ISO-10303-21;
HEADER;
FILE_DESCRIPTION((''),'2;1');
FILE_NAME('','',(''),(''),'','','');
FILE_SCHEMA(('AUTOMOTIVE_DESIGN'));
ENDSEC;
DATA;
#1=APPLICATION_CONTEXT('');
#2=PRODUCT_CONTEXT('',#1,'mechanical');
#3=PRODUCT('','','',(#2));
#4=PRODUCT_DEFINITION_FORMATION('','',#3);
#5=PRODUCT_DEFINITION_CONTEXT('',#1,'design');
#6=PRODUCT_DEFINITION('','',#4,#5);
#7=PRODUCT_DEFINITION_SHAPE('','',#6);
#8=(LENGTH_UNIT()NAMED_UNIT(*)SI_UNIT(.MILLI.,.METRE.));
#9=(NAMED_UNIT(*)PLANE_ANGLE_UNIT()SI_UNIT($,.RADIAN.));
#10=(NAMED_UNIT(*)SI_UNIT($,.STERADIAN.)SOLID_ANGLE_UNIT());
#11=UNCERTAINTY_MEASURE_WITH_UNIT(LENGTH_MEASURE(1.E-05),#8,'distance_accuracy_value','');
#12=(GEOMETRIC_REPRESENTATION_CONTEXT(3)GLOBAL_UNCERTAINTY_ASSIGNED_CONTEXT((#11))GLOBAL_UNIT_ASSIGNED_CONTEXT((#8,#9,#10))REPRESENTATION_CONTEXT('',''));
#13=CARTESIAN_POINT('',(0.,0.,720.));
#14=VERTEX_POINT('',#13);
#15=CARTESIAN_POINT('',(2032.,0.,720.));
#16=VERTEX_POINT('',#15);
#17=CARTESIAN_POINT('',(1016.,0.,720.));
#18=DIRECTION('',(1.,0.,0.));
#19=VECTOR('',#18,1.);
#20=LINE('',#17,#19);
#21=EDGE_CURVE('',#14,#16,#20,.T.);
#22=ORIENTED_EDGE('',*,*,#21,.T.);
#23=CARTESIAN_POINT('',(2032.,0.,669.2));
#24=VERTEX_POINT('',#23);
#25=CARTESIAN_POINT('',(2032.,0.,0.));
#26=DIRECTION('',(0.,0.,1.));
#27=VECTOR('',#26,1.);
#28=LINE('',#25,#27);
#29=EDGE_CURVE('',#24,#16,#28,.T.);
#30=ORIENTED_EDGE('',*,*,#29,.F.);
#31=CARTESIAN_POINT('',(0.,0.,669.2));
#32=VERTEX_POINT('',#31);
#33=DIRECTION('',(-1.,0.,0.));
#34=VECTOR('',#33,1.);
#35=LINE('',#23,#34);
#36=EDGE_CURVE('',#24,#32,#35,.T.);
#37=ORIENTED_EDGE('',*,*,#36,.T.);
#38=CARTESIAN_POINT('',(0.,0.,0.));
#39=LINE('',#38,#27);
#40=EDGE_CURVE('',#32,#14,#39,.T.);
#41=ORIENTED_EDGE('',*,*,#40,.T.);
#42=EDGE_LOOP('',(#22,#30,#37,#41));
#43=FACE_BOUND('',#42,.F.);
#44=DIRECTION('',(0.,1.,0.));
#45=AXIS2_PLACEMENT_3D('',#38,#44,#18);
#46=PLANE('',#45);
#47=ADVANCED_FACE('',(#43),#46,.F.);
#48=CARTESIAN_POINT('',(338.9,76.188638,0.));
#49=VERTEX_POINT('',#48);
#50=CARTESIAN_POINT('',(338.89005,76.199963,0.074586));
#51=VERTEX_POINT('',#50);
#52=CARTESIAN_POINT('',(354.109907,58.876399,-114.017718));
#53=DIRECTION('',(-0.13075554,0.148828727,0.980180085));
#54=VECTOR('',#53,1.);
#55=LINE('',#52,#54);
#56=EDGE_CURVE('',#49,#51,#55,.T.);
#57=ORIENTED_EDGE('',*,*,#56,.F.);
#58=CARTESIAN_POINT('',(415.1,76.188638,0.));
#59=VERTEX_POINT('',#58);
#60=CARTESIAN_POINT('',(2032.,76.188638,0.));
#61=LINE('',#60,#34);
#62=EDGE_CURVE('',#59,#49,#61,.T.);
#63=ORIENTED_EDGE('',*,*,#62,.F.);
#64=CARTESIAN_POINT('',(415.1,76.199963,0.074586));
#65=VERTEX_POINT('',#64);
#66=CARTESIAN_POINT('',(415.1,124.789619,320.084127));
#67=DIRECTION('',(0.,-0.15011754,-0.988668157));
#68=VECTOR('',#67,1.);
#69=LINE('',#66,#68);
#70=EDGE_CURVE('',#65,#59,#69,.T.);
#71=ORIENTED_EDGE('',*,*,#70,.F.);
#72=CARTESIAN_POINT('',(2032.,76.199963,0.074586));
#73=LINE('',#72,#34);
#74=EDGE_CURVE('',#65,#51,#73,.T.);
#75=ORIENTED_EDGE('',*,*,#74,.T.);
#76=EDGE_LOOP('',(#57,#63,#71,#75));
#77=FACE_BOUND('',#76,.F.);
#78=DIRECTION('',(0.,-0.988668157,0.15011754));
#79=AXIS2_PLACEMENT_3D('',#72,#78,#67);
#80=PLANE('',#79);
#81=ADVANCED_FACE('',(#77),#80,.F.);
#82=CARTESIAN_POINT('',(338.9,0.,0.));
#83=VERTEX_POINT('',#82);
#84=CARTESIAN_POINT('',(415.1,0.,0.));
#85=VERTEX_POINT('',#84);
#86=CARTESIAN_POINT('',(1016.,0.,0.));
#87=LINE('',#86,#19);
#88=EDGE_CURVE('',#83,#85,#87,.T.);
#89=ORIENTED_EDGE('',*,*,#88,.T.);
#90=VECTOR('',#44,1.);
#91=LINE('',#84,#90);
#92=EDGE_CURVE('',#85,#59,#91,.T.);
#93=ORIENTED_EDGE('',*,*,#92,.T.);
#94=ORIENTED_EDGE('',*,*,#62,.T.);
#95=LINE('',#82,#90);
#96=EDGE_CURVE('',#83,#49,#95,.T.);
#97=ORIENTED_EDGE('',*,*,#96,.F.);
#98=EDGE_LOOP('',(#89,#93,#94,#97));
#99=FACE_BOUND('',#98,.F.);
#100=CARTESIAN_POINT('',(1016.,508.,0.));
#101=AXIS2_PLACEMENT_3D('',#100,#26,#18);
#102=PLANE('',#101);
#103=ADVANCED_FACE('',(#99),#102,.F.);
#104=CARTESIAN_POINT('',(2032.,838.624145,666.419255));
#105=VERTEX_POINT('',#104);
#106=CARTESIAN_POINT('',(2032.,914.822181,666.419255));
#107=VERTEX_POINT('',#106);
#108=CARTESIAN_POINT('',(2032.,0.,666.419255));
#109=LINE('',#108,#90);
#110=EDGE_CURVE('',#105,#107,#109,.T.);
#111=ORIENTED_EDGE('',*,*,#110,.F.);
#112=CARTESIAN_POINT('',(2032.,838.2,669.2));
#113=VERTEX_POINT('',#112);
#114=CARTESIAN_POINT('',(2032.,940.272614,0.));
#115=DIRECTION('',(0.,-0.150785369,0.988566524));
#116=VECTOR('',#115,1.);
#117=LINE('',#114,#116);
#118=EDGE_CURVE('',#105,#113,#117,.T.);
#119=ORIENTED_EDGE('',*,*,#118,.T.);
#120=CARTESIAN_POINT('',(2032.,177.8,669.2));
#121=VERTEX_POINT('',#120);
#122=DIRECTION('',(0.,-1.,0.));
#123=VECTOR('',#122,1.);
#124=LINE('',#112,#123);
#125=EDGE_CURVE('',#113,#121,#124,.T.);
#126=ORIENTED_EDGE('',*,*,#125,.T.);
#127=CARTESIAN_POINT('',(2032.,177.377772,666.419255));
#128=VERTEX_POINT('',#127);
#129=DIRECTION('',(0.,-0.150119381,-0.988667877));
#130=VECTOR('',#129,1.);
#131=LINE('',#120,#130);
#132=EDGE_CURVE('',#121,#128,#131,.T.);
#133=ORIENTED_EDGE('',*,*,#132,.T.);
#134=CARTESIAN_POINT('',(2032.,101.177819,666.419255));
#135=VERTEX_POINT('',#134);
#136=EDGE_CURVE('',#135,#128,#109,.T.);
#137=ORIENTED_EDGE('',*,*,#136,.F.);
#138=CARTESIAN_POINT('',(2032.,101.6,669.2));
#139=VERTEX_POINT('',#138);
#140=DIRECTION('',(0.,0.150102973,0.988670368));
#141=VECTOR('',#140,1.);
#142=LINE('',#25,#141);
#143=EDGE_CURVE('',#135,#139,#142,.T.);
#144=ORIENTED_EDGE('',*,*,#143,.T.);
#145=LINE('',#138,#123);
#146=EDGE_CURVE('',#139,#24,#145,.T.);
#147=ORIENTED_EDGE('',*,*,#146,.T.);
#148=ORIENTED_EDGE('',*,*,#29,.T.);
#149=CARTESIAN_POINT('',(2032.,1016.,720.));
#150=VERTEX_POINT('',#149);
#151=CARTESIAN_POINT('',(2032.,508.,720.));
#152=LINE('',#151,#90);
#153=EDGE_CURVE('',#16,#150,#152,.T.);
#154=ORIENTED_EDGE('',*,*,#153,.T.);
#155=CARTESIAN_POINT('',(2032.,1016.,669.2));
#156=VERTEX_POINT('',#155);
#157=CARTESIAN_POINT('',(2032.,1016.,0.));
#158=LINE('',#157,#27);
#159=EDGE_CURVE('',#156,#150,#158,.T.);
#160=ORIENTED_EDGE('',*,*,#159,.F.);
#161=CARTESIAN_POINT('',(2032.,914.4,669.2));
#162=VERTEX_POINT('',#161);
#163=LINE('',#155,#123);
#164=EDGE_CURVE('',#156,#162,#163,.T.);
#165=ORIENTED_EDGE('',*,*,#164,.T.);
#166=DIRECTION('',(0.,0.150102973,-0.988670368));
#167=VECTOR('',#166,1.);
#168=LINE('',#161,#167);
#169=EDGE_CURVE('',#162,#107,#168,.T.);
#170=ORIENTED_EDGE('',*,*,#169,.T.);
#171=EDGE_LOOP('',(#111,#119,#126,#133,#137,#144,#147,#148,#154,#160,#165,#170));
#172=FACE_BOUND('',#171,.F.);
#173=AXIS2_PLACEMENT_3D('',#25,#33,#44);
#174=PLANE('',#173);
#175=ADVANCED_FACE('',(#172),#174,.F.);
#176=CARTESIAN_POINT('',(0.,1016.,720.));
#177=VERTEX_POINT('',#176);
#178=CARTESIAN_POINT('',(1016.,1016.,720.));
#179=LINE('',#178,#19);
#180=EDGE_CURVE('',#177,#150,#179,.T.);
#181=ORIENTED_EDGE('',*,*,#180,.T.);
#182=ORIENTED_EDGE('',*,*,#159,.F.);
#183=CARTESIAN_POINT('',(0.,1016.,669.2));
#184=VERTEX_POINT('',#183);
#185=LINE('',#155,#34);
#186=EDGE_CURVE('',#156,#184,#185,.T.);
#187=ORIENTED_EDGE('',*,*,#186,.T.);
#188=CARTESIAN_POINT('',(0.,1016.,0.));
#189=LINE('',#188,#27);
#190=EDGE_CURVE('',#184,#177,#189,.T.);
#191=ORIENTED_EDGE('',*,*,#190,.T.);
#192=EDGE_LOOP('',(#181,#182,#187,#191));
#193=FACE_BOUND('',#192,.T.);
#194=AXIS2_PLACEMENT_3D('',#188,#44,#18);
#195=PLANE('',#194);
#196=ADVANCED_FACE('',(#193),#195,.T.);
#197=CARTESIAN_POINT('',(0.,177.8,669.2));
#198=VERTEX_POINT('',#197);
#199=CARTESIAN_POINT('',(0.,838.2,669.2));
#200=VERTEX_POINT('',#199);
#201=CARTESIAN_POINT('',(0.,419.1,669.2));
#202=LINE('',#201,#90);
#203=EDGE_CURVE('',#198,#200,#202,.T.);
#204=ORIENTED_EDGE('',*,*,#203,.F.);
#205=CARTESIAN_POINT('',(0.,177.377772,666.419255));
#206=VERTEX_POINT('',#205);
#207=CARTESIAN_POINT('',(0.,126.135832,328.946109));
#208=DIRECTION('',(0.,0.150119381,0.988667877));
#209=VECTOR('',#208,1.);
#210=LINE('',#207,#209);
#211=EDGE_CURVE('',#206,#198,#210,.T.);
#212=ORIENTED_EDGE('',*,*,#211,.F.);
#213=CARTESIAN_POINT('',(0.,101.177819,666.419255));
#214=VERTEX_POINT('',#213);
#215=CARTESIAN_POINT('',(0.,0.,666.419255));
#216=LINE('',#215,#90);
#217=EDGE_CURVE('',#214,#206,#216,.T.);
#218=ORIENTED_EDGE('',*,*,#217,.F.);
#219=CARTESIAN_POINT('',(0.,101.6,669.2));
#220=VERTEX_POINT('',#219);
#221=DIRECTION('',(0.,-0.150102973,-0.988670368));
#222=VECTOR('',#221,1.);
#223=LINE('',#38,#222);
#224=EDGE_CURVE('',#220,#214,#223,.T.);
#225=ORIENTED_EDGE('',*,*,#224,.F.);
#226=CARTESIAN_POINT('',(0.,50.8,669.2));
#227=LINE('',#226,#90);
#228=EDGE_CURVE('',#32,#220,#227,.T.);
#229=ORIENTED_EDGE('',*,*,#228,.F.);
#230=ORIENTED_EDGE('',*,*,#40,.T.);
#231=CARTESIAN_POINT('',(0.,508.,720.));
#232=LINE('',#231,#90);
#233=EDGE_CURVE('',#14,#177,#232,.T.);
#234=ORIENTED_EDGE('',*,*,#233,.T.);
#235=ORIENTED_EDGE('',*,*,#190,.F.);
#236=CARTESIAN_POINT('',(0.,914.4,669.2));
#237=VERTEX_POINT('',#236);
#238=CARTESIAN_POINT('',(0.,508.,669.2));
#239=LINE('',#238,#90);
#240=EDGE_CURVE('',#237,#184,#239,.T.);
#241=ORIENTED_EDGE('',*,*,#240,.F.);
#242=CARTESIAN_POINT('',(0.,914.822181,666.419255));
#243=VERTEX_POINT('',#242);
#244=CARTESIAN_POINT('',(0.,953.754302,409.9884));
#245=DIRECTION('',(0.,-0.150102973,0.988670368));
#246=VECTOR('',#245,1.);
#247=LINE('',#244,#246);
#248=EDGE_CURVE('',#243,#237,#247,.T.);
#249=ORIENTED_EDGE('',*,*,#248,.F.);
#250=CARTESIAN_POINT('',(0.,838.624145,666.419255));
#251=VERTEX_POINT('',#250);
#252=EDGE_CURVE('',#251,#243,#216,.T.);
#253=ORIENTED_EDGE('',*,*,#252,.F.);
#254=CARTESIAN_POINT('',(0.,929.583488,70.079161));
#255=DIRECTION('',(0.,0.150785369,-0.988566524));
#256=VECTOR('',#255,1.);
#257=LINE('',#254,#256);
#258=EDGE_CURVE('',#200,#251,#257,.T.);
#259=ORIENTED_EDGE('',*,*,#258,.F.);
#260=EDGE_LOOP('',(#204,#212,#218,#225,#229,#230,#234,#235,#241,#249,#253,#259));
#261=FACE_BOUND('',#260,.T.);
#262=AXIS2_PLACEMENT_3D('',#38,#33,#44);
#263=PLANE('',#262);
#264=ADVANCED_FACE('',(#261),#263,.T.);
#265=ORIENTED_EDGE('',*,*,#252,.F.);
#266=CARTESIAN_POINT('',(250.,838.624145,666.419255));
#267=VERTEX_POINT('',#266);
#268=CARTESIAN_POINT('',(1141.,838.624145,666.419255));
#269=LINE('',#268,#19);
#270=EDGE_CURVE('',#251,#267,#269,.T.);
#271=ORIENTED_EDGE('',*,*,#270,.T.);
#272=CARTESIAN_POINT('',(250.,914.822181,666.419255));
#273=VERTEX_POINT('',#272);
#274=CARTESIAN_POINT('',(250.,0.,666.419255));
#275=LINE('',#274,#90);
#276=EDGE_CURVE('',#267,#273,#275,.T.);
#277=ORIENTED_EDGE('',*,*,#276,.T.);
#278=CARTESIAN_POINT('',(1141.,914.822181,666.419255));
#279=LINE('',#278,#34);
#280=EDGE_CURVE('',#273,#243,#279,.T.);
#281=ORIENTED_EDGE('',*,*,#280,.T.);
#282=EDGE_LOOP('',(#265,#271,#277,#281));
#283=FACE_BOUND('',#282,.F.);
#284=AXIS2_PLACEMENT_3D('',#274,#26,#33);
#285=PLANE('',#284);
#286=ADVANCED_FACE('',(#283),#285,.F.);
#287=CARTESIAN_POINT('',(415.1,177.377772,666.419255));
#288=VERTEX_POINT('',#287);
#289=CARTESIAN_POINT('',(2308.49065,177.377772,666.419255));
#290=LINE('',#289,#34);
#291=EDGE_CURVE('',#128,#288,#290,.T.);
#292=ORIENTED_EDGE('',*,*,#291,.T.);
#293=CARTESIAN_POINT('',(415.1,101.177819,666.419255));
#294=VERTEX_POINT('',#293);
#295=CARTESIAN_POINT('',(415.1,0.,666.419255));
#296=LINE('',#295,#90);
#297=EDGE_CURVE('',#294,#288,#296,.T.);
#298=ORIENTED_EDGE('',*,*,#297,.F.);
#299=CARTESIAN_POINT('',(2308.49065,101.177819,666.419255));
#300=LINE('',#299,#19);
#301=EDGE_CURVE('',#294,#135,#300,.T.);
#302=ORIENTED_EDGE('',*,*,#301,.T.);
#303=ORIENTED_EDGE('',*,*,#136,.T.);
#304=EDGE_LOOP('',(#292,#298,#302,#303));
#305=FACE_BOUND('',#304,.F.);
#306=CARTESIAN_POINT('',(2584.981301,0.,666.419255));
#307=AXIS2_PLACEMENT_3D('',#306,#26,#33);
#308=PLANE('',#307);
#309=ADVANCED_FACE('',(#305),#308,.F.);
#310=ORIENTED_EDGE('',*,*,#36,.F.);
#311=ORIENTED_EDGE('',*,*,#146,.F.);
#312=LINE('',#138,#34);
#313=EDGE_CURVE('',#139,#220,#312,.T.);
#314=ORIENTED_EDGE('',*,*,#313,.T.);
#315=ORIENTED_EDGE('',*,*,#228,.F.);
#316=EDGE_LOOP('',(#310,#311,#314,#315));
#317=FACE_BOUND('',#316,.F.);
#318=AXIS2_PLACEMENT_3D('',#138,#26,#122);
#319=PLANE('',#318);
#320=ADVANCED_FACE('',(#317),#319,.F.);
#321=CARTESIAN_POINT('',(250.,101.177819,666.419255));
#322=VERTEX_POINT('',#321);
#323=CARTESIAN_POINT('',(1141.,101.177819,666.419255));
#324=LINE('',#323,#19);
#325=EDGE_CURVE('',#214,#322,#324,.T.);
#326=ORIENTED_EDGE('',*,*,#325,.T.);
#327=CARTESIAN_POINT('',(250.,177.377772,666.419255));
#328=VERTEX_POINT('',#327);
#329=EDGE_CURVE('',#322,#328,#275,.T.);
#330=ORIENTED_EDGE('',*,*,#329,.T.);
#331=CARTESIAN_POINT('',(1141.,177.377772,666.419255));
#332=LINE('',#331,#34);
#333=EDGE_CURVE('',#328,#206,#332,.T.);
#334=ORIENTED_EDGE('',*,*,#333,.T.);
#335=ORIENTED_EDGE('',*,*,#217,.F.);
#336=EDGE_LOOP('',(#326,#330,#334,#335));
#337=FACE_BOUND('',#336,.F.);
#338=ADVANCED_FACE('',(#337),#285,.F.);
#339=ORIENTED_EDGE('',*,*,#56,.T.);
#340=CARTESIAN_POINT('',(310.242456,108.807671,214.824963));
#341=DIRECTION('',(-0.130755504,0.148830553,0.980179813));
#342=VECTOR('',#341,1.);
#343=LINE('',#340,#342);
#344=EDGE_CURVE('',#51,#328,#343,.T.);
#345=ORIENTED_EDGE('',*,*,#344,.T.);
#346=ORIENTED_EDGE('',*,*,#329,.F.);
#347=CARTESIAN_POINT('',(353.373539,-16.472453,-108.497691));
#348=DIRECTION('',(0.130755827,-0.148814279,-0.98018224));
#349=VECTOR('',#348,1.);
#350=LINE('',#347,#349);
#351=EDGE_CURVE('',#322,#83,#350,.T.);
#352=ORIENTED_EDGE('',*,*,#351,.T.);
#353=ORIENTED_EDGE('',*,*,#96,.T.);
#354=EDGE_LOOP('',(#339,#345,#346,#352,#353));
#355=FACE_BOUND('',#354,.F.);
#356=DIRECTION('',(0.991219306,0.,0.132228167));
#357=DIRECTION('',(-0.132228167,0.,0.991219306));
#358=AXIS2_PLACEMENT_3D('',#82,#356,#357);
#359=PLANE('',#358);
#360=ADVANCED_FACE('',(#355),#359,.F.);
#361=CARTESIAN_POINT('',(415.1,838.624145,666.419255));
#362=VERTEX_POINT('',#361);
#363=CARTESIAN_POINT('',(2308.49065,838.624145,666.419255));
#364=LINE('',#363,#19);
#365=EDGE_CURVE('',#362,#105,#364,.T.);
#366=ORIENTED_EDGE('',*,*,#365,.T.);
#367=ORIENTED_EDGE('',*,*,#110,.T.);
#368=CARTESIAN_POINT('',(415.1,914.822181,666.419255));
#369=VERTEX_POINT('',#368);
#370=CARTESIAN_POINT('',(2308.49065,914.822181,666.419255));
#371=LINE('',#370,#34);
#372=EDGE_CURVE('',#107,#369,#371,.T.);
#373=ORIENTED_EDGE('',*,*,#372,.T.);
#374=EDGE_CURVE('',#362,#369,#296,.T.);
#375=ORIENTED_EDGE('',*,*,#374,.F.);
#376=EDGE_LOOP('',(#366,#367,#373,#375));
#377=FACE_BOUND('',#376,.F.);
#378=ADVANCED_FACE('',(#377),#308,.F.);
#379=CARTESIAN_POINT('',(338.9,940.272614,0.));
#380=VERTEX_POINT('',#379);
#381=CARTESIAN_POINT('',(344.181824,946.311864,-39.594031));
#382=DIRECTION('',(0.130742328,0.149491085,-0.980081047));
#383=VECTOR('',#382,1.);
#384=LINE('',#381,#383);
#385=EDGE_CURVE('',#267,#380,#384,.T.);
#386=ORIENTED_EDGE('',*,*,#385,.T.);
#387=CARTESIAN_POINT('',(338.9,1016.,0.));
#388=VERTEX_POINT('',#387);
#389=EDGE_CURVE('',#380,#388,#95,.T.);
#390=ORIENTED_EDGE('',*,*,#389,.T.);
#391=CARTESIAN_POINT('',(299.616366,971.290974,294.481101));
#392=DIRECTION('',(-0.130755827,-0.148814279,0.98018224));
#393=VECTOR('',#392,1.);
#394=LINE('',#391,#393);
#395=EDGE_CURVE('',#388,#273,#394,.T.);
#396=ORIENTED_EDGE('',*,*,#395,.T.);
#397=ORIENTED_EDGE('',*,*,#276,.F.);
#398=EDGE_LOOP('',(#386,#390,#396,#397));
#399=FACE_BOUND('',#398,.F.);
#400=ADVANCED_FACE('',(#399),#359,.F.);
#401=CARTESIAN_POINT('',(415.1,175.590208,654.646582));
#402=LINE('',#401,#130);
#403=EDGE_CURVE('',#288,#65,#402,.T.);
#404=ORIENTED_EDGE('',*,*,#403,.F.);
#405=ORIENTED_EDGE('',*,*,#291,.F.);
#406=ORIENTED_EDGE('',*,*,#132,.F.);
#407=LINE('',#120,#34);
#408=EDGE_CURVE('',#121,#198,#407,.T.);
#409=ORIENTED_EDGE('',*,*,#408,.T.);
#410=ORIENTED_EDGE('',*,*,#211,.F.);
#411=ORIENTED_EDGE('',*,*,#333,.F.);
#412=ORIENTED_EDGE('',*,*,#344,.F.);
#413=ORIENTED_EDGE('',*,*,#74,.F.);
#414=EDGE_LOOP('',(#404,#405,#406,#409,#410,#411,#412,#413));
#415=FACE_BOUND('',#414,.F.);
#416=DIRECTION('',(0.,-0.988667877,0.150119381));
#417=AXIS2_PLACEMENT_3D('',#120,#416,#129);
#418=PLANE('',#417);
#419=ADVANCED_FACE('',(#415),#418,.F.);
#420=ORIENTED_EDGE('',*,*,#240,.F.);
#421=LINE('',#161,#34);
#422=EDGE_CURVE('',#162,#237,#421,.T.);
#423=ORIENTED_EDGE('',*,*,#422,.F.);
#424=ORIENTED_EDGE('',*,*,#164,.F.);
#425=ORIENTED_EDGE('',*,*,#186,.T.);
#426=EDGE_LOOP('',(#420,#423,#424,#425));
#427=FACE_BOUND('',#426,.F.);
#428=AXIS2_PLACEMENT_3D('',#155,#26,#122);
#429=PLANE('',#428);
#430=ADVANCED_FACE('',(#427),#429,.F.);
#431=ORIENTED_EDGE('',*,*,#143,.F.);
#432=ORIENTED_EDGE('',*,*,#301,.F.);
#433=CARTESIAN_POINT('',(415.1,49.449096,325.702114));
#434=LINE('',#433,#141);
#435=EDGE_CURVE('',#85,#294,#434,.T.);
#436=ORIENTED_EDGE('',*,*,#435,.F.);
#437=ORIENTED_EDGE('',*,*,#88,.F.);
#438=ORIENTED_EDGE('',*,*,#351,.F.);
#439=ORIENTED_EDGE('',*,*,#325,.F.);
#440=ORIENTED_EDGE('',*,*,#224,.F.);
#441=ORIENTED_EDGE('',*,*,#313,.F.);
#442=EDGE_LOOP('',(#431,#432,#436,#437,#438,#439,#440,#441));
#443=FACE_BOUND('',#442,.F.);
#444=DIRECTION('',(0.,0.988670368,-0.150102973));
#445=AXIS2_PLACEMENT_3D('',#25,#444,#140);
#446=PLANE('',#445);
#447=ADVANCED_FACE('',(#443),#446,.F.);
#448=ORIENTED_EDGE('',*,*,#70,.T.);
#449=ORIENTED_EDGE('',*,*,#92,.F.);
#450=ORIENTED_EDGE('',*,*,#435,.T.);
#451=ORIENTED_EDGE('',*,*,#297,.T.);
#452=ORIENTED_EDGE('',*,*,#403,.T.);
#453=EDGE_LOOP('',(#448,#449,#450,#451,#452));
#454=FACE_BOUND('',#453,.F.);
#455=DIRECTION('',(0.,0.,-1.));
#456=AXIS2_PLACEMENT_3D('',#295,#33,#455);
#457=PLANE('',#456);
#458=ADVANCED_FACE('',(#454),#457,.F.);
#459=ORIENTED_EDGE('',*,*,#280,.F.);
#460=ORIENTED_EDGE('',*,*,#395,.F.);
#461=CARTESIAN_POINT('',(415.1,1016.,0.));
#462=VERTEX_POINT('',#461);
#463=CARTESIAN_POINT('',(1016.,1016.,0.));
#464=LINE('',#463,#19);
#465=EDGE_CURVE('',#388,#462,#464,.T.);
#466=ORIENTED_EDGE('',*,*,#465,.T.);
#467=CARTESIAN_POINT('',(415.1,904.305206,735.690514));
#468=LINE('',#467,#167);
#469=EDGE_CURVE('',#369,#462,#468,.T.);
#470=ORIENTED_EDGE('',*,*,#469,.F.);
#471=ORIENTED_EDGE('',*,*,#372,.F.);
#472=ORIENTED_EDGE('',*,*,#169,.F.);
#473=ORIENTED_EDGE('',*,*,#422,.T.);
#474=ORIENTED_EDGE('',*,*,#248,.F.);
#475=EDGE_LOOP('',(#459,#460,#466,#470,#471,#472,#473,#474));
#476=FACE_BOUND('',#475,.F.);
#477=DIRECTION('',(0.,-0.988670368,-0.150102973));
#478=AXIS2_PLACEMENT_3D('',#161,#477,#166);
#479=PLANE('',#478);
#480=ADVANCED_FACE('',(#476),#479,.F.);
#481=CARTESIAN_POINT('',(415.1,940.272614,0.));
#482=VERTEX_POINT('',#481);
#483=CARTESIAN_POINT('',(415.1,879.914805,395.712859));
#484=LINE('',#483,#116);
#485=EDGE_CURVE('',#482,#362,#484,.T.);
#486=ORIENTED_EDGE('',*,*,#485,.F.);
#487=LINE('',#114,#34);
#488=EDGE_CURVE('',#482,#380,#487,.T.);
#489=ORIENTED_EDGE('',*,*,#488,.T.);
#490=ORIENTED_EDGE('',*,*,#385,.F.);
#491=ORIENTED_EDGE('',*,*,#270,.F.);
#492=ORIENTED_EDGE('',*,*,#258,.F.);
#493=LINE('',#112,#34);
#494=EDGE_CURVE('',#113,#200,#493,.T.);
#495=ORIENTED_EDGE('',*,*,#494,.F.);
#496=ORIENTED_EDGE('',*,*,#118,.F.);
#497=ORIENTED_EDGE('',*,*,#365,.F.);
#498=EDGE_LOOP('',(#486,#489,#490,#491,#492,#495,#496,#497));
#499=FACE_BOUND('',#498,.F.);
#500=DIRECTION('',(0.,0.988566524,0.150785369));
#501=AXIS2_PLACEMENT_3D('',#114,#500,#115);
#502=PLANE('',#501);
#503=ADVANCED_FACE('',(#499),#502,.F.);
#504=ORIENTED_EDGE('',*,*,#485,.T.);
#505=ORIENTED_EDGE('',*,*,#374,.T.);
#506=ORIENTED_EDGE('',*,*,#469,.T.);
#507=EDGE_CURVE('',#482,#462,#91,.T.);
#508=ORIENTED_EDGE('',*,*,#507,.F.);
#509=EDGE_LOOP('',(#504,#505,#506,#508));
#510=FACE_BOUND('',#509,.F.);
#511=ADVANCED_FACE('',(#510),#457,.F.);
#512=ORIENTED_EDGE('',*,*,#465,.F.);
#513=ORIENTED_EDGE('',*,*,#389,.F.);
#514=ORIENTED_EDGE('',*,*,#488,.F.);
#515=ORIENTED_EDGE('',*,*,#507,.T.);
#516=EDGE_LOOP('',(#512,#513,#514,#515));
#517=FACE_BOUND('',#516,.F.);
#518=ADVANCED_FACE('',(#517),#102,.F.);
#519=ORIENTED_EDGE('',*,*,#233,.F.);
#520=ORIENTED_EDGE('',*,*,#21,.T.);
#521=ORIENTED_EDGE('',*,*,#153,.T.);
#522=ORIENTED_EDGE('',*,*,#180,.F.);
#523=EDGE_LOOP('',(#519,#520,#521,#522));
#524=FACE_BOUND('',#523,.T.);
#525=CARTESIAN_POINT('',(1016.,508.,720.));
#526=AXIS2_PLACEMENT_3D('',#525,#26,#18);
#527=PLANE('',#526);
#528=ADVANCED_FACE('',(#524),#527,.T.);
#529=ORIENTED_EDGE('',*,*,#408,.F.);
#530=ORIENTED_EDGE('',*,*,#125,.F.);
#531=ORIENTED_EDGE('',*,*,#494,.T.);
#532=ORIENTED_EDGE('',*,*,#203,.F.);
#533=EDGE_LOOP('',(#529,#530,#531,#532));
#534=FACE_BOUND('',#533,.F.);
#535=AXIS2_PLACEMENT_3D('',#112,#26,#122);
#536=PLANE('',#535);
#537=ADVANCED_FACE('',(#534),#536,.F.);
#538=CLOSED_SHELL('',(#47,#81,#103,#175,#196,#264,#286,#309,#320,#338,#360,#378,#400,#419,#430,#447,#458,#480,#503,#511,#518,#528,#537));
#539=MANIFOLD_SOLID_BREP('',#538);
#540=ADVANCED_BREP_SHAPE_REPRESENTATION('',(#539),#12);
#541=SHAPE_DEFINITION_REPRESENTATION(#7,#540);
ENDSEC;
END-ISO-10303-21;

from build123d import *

# Parameters (mm, degrees)
F0_W     = 2032
F0_H     = 1016
F1_DEPTH = 720
F3_DEPTH = 3810
F5_DEPTH = 1143


with BuildPart() as f1:
    # F0 (on Top) → F1 (new body)
    with BuildSketch(Plane.XY):
        with Locations((1016, 508)):
            Rectangle(F0_W, F0_H)
    extrude(amount=F1_DEPTH)

    # F2 (on face) → F3 (cut)
    with BuildSketch(Plane.YZ.offset(2032)):
        Polygon((76.199963, 0.074586), (76.188638, 0), (101.6, 0), (924.743533, 0), (940.272614, 0), (838.2, 669.2), (177.8, 669.2), align=None)
        Polygon((101.6, 669.2), (0, 669.2), (0, 0), align=None)
        Polygon((1016, 0), (1016, 669.2), (914.4, 669.2), align=None)
    extrude(amount=-F3_DEPTH, mode=Mode.SUBTRACT)

    # F4 (on Front) → F5 (cut)
    with BuildSketch(Plane.XZ):
        Polygon((415.1, 0), (2584.981293, 0), (2584.981301, 666.419255), (415.1, 666.419255), align=None)
        Polygon((250, 666.419255), (0, 666.419255), (0, 0), (338.9, 0), align=None)
        Polygon((3000.081301, 0), (3000.081301, 666.419255), (2750.081301, 666.419255), (2661.181293, 0), (2740.58795, 0), align=None)
    extrude(amount=-F5_DEPTH, mode=Mode.SUBTRACT)


solid = f1.part
